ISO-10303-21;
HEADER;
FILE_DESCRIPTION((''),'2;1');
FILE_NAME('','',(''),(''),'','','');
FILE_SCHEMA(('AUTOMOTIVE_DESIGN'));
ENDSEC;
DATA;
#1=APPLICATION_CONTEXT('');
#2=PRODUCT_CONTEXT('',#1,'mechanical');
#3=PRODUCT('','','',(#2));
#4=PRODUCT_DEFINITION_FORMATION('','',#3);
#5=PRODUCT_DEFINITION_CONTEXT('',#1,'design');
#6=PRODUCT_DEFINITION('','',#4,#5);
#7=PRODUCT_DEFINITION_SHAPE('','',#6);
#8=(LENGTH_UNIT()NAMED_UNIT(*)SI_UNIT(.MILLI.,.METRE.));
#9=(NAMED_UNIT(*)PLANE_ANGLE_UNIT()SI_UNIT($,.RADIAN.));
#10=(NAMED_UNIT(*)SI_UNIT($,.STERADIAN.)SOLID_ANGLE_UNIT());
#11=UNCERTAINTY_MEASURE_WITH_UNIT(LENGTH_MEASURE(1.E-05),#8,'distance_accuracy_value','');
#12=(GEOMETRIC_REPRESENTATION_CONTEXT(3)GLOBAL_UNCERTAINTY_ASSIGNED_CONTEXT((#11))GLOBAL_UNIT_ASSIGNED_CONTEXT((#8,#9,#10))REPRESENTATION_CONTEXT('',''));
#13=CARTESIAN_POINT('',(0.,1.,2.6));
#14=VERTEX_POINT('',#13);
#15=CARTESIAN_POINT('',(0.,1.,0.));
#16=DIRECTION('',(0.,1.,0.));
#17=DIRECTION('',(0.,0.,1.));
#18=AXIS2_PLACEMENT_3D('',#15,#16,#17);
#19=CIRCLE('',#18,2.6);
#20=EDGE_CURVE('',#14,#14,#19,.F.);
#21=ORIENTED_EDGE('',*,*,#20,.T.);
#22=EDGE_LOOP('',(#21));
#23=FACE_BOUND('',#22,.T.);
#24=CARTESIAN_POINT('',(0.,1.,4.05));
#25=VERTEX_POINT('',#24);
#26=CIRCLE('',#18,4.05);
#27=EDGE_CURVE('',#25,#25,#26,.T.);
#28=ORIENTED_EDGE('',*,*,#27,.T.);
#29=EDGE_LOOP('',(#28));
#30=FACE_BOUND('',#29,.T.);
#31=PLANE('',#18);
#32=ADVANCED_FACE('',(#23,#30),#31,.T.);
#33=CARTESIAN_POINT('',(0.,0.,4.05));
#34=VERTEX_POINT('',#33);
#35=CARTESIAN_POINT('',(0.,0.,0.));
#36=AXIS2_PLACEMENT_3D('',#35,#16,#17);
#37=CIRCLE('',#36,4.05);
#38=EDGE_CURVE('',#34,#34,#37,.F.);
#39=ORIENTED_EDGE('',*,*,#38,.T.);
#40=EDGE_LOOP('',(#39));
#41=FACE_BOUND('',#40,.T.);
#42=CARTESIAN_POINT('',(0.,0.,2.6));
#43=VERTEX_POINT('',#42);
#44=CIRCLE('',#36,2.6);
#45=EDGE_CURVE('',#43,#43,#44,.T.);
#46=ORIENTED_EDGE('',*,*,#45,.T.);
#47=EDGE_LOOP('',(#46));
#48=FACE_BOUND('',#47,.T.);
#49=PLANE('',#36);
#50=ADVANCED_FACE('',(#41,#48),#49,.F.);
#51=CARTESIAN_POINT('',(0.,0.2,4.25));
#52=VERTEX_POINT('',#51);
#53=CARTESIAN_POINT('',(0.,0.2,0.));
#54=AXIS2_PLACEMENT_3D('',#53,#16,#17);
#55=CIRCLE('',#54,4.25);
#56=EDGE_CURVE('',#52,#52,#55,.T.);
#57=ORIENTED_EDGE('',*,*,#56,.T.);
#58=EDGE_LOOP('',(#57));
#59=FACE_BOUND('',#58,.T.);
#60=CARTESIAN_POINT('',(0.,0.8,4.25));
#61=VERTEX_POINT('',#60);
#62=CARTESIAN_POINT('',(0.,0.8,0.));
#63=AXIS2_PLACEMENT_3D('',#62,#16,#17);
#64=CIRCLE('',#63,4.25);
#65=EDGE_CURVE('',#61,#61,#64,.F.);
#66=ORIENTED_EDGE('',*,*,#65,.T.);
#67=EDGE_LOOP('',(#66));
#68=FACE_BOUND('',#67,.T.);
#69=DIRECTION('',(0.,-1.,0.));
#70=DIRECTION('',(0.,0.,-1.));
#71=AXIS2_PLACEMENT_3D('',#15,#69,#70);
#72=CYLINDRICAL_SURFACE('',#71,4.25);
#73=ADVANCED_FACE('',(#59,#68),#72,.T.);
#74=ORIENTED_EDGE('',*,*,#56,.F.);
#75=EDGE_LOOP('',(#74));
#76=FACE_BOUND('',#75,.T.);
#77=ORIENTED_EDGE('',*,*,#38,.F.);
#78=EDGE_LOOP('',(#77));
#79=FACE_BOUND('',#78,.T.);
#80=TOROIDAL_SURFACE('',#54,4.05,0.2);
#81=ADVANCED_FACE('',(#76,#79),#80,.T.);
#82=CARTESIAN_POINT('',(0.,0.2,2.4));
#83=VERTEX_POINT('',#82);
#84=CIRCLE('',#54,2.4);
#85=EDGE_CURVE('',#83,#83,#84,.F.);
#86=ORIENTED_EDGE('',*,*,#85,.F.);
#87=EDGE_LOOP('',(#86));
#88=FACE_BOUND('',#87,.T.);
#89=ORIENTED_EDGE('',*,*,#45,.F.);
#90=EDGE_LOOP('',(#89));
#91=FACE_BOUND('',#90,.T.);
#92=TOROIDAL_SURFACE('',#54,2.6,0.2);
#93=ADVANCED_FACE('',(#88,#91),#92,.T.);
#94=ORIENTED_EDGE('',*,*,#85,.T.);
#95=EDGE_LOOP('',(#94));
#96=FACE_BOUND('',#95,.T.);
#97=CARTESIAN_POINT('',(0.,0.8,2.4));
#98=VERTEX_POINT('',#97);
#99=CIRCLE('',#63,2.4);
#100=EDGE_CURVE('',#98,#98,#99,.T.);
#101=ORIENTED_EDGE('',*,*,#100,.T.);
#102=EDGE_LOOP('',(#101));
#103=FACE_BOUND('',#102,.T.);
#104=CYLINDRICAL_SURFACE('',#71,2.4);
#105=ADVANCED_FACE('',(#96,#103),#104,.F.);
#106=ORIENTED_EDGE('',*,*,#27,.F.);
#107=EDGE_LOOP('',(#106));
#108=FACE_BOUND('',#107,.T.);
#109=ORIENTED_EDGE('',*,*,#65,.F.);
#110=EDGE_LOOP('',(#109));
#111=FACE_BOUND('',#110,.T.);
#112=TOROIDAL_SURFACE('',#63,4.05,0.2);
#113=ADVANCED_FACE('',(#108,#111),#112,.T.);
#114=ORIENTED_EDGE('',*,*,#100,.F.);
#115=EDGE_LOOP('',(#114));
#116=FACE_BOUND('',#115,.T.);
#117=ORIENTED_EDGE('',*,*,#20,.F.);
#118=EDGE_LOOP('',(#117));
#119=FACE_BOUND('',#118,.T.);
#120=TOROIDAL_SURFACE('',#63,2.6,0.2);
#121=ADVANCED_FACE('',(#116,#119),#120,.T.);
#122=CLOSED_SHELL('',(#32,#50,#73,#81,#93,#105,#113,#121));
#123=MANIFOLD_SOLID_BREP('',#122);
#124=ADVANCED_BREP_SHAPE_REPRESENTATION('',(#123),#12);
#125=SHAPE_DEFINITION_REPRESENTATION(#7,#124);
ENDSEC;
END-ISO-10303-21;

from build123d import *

# Parameters (mm, degrees)
SKETCH1_R           = 4.25
SKETCH1_R_2         = 2.4
BOSS_EXTRUDE1_DEPTH = 1
FILLET1_R           = 0.2


with BuildPart() as part:
    # Sketch1 → Boss-Extrude1 (new body)
    with BuildSketch(Plane(origin=(0, 0, 0), x_dir=(1, 0, 0), z_dir=(0, 1, 0))):
        Circle(SKETCH1_R)
        Circle(SKETCH1_R_2, mode=Mode.SUBTRACT)
    extrude(amount=BOSS_EXTRUDE1_DEPTH)

    # Fillet1
    fillet1_edges = [part.edges().sort_by_distance(p)[0] for p in [
        (-4.25, 0, 0),
        (-4.25, 1, 0),
        (-2.4, 0, 0),
        (-2.4, 1, 0),
    ]]
    fillet(fillet1_edges, radius=FILLET1_R)


solid = part.part
